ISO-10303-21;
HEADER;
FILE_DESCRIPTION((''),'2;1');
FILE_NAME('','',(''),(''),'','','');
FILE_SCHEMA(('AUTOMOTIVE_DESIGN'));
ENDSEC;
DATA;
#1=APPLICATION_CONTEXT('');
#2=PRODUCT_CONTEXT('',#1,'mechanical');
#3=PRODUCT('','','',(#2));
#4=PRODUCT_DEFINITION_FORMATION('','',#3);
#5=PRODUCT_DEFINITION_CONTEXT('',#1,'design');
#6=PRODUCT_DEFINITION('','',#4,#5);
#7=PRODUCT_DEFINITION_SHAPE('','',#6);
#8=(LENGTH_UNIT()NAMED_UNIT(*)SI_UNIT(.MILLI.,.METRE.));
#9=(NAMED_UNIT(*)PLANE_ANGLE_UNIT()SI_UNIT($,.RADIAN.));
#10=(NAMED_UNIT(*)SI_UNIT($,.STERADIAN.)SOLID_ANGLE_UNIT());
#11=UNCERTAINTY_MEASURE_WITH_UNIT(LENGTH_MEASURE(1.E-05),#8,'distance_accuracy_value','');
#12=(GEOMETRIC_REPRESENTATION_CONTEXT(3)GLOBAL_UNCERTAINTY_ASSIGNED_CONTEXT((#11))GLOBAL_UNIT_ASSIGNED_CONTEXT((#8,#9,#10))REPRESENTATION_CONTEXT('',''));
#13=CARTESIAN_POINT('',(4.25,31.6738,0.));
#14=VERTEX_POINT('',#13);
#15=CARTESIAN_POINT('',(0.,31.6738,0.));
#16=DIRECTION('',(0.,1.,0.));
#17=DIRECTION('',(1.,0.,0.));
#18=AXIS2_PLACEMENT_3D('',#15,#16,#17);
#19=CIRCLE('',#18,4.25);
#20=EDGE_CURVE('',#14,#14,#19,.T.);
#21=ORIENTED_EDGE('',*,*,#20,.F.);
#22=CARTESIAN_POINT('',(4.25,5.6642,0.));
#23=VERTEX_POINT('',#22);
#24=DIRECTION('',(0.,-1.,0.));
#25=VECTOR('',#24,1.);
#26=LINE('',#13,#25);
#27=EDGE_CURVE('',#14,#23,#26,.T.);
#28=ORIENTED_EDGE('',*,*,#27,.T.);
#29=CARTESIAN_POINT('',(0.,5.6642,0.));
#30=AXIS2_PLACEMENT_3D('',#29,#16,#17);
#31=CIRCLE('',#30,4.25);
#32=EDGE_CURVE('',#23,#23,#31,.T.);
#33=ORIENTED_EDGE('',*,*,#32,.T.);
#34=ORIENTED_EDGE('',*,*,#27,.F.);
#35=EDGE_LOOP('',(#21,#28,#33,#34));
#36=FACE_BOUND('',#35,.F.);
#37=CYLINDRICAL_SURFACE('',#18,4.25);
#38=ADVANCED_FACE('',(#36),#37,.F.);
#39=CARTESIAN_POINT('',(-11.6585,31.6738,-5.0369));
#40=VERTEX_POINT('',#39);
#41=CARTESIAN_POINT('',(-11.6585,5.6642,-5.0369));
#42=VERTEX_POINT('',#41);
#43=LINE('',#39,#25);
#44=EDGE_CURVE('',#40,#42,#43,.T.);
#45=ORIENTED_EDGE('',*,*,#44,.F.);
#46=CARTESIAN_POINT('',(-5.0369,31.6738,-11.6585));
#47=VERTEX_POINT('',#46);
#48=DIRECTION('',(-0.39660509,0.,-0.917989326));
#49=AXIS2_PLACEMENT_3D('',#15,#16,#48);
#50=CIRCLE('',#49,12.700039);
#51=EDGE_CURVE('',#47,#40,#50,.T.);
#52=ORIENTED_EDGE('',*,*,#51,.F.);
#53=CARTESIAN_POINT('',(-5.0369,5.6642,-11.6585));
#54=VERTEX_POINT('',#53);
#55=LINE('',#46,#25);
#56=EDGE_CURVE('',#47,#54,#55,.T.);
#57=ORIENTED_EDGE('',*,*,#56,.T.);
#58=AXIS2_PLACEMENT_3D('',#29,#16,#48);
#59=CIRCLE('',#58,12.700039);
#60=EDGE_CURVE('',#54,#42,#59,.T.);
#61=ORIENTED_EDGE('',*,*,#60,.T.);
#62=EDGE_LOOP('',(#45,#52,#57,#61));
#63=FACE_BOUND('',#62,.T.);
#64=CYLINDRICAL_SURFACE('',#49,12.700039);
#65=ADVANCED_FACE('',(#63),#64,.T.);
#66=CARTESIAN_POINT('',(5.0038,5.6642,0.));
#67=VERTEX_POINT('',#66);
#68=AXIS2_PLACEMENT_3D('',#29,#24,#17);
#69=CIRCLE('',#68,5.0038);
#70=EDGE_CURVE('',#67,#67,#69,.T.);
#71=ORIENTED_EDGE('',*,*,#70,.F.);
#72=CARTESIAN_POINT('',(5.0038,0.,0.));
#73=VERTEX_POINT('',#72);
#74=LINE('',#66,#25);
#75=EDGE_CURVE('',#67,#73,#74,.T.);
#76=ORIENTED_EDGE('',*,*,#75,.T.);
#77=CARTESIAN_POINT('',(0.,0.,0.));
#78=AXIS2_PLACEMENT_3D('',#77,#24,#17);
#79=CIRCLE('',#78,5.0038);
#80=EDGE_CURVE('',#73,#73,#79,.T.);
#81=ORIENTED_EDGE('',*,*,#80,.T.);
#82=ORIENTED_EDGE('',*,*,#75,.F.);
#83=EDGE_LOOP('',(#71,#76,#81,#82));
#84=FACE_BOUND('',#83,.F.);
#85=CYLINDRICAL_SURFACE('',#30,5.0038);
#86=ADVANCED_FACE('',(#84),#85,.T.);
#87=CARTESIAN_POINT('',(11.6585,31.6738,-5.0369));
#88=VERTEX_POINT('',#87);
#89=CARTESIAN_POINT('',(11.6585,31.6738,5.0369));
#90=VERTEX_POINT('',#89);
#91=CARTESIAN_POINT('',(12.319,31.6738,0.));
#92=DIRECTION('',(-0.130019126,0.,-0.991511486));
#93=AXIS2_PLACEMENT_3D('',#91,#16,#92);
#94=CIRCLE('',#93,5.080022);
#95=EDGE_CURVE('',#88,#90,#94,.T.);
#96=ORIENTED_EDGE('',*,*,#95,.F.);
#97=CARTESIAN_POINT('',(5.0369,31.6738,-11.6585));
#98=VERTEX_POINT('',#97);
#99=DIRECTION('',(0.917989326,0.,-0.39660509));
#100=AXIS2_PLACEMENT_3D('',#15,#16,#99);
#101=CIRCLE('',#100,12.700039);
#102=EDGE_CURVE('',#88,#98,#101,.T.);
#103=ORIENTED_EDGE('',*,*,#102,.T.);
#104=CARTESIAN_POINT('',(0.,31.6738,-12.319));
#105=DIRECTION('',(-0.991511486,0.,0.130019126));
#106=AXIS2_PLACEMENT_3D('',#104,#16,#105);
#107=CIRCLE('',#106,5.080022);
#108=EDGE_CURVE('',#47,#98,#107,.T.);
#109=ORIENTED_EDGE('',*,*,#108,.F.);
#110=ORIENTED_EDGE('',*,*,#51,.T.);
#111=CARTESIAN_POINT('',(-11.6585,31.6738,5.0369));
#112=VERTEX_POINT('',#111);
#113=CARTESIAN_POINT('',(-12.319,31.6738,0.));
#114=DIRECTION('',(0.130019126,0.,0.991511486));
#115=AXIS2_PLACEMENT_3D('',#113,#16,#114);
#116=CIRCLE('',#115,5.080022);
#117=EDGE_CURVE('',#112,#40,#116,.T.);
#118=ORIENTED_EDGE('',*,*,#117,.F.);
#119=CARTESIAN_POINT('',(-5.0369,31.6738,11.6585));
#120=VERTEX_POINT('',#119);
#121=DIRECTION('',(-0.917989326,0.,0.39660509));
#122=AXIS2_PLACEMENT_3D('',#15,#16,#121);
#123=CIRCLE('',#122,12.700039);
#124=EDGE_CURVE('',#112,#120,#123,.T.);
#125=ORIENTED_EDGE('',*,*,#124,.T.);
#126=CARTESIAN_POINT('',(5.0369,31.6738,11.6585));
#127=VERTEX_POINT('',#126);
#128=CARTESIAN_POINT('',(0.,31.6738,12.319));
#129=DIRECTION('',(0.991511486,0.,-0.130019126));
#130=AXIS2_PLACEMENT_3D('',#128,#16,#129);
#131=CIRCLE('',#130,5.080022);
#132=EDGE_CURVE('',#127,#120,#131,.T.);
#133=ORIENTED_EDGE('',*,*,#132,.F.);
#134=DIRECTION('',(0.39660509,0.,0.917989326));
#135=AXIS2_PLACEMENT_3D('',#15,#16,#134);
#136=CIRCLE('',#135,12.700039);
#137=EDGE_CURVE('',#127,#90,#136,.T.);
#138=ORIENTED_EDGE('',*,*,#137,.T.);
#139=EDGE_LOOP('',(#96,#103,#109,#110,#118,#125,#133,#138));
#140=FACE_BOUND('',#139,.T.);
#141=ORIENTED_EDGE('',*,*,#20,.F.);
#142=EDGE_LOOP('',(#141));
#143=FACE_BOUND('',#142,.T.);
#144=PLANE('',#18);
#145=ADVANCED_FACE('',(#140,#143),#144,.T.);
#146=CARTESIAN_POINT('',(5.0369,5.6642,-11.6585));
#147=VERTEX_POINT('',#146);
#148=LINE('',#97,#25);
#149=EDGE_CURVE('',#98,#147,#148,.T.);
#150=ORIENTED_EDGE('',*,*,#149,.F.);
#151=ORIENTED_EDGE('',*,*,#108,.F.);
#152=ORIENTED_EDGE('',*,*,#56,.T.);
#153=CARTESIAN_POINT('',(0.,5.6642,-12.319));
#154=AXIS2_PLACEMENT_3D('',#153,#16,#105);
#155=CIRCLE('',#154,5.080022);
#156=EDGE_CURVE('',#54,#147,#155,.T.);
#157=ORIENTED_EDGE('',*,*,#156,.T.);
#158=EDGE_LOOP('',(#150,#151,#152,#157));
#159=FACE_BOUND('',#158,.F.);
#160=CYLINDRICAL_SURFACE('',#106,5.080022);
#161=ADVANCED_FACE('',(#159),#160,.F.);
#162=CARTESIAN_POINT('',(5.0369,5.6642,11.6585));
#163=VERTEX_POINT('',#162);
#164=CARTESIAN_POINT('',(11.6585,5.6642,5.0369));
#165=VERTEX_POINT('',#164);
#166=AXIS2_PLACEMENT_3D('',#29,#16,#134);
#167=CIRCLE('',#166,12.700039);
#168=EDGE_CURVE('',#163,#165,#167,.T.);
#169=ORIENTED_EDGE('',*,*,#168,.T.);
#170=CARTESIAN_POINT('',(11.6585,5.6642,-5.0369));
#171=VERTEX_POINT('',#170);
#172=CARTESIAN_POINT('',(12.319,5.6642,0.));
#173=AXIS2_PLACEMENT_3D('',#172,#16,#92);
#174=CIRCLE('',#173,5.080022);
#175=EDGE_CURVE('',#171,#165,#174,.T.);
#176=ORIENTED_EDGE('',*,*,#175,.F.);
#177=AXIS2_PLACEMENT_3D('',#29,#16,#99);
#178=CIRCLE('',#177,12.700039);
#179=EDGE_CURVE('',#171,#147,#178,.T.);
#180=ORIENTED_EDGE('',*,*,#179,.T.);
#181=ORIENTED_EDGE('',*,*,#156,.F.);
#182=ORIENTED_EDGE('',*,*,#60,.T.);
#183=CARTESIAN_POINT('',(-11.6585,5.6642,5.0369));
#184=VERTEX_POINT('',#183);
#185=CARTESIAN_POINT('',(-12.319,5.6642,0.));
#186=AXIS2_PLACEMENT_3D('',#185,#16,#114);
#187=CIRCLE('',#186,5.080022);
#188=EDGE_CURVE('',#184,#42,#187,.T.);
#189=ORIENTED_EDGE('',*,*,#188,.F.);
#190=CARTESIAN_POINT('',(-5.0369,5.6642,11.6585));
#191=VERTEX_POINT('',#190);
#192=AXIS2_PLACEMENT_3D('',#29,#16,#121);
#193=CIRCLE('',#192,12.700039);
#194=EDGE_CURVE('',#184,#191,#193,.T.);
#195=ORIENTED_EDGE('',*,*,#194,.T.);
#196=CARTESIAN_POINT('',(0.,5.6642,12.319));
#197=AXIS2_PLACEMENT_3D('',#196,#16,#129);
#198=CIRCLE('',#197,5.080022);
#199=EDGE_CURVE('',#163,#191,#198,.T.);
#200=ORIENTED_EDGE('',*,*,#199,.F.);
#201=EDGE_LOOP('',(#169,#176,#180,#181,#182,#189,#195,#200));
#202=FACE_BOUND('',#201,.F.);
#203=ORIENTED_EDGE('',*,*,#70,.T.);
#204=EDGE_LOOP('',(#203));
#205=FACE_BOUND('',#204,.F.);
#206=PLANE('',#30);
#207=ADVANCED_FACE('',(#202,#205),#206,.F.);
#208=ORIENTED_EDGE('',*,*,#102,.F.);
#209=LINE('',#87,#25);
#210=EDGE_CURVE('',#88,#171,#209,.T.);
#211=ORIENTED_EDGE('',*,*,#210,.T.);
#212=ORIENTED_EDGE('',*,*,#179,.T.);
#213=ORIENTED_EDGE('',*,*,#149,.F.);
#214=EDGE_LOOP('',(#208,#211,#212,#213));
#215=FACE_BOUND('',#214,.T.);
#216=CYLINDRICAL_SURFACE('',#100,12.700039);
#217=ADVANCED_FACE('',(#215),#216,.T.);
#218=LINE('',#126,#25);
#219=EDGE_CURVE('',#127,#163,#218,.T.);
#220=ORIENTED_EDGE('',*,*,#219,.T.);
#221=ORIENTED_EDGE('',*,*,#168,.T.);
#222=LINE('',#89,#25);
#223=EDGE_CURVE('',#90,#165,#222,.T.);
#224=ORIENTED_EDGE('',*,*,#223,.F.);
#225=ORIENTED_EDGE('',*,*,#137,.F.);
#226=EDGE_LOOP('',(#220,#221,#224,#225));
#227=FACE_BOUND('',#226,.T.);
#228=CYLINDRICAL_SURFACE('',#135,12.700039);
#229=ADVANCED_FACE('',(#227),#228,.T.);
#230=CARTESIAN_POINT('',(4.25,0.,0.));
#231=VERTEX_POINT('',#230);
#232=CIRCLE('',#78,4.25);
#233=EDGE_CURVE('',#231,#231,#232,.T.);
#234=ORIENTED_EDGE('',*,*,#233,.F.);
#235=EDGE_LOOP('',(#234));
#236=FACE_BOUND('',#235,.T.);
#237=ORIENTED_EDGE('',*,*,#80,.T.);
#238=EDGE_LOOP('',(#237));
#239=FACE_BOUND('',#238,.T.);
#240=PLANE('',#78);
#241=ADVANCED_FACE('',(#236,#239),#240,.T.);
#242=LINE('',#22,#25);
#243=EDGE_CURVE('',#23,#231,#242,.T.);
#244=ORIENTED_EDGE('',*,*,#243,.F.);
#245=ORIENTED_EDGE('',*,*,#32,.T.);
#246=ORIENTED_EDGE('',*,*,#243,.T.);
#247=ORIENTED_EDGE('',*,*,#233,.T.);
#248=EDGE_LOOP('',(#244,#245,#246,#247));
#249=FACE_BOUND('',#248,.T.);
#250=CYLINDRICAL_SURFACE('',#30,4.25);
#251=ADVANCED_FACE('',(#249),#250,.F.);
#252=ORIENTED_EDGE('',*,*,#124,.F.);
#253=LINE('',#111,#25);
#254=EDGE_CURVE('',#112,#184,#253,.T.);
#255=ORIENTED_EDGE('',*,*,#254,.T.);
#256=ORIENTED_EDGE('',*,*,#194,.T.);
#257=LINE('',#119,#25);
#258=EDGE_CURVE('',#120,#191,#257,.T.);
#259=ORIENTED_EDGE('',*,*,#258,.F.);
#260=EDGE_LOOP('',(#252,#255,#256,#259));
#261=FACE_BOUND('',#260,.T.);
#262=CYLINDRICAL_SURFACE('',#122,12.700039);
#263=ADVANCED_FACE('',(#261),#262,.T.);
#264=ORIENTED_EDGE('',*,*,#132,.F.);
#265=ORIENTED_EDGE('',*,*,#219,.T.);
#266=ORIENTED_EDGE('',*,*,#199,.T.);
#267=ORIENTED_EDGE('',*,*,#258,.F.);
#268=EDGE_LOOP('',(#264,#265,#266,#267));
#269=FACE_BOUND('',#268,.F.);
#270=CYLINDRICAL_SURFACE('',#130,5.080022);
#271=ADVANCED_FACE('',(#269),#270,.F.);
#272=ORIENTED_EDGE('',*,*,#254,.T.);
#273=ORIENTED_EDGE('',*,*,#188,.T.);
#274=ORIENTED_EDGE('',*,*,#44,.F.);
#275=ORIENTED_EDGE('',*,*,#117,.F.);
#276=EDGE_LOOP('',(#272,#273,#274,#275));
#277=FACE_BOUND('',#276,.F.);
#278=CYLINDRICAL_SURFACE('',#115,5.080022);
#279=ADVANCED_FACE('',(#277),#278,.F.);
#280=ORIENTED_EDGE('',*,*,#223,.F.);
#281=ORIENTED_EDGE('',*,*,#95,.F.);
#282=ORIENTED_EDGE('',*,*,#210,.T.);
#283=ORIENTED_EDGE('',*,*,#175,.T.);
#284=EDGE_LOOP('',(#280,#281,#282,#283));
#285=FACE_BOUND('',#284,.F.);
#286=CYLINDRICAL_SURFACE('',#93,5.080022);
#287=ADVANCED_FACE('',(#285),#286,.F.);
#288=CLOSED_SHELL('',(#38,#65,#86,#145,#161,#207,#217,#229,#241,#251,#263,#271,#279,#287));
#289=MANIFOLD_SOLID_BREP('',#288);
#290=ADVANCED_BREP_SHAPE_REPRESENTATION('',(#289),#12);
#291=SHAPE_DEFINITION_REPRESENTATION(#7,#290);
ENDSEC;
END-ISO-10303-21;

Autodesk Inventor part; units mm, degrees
ref_plane "YZ Plane" through (0, 0, 0) normal (1, 0, 0) x (0, 1, 0)
ref_plane "XZ Plane" through (0, 0, 0) normal (0, 1, 0) x (-1, 0, 0)
ref_plane "Work Plane1" through (0, 31.6738, 0) normal (0, 1, 0) x (1, 0, 0)
sketch "Sketch2" plane through (0, 31.6738, 0) normal (0, 1, 0) x (1, 0, 0)
  circle A0 centre (0, 0) radius 4.25 projected
  arc A1 (5.0369, -11.6585) -> (-5.0369, -11.6585) centre (0, -12.319) ccw
  arc A2 (11.6585, 5.0369) -> (11.6585, -5.0369) centre (12.319, 0) ccw
  arc A3 (-5.0369, 11.6585) -> (5.0369, 11.6585) centre (0, 12.319) ccw
  arc A4 (-11.6585, -5.0369) -> (-11.6585, 5.0369) centre (-12.319, 0) ccw
  arc A5 (-11.6585, -5.0369) -> (-5.0369, -11.6585) centre (0, 0) ccw
  arc A6 (-5.0369, 11.6585) -> (-11.6585, 5.0369) centre (0, 0) ccw
  arc A7 (5.0369, -11.6585) -> (11.6585, -5.0369) centre (0, 0) ccw
  arc A8 (11.6585, 5.0369) -> (5.0369, 11.6585) centre (0, 0) ccw
  circle A9 centre (0, 0) radius 4.25
  dimension "d5" = 10.16
  dimension "d6" = 12.319
  dimension "d9" = 360
extrude "Extrusion2" add sketch "Sketch2" against normal blind 26.0096
sketch "Sketch3" plane through (0, 5.6642, 0) normal (0, -1, 0) x (1, 0, 0)
  circle A0 centre (0, 0) radius 4.25
  circle A1 centre (0, 0) radius 5.0038
  dimension "d13" = 10.0076
extrude "Extrusion3" add sketch "Sketch3" along normal blind 5.6642
properties part number "wheel spacer for bearing"
